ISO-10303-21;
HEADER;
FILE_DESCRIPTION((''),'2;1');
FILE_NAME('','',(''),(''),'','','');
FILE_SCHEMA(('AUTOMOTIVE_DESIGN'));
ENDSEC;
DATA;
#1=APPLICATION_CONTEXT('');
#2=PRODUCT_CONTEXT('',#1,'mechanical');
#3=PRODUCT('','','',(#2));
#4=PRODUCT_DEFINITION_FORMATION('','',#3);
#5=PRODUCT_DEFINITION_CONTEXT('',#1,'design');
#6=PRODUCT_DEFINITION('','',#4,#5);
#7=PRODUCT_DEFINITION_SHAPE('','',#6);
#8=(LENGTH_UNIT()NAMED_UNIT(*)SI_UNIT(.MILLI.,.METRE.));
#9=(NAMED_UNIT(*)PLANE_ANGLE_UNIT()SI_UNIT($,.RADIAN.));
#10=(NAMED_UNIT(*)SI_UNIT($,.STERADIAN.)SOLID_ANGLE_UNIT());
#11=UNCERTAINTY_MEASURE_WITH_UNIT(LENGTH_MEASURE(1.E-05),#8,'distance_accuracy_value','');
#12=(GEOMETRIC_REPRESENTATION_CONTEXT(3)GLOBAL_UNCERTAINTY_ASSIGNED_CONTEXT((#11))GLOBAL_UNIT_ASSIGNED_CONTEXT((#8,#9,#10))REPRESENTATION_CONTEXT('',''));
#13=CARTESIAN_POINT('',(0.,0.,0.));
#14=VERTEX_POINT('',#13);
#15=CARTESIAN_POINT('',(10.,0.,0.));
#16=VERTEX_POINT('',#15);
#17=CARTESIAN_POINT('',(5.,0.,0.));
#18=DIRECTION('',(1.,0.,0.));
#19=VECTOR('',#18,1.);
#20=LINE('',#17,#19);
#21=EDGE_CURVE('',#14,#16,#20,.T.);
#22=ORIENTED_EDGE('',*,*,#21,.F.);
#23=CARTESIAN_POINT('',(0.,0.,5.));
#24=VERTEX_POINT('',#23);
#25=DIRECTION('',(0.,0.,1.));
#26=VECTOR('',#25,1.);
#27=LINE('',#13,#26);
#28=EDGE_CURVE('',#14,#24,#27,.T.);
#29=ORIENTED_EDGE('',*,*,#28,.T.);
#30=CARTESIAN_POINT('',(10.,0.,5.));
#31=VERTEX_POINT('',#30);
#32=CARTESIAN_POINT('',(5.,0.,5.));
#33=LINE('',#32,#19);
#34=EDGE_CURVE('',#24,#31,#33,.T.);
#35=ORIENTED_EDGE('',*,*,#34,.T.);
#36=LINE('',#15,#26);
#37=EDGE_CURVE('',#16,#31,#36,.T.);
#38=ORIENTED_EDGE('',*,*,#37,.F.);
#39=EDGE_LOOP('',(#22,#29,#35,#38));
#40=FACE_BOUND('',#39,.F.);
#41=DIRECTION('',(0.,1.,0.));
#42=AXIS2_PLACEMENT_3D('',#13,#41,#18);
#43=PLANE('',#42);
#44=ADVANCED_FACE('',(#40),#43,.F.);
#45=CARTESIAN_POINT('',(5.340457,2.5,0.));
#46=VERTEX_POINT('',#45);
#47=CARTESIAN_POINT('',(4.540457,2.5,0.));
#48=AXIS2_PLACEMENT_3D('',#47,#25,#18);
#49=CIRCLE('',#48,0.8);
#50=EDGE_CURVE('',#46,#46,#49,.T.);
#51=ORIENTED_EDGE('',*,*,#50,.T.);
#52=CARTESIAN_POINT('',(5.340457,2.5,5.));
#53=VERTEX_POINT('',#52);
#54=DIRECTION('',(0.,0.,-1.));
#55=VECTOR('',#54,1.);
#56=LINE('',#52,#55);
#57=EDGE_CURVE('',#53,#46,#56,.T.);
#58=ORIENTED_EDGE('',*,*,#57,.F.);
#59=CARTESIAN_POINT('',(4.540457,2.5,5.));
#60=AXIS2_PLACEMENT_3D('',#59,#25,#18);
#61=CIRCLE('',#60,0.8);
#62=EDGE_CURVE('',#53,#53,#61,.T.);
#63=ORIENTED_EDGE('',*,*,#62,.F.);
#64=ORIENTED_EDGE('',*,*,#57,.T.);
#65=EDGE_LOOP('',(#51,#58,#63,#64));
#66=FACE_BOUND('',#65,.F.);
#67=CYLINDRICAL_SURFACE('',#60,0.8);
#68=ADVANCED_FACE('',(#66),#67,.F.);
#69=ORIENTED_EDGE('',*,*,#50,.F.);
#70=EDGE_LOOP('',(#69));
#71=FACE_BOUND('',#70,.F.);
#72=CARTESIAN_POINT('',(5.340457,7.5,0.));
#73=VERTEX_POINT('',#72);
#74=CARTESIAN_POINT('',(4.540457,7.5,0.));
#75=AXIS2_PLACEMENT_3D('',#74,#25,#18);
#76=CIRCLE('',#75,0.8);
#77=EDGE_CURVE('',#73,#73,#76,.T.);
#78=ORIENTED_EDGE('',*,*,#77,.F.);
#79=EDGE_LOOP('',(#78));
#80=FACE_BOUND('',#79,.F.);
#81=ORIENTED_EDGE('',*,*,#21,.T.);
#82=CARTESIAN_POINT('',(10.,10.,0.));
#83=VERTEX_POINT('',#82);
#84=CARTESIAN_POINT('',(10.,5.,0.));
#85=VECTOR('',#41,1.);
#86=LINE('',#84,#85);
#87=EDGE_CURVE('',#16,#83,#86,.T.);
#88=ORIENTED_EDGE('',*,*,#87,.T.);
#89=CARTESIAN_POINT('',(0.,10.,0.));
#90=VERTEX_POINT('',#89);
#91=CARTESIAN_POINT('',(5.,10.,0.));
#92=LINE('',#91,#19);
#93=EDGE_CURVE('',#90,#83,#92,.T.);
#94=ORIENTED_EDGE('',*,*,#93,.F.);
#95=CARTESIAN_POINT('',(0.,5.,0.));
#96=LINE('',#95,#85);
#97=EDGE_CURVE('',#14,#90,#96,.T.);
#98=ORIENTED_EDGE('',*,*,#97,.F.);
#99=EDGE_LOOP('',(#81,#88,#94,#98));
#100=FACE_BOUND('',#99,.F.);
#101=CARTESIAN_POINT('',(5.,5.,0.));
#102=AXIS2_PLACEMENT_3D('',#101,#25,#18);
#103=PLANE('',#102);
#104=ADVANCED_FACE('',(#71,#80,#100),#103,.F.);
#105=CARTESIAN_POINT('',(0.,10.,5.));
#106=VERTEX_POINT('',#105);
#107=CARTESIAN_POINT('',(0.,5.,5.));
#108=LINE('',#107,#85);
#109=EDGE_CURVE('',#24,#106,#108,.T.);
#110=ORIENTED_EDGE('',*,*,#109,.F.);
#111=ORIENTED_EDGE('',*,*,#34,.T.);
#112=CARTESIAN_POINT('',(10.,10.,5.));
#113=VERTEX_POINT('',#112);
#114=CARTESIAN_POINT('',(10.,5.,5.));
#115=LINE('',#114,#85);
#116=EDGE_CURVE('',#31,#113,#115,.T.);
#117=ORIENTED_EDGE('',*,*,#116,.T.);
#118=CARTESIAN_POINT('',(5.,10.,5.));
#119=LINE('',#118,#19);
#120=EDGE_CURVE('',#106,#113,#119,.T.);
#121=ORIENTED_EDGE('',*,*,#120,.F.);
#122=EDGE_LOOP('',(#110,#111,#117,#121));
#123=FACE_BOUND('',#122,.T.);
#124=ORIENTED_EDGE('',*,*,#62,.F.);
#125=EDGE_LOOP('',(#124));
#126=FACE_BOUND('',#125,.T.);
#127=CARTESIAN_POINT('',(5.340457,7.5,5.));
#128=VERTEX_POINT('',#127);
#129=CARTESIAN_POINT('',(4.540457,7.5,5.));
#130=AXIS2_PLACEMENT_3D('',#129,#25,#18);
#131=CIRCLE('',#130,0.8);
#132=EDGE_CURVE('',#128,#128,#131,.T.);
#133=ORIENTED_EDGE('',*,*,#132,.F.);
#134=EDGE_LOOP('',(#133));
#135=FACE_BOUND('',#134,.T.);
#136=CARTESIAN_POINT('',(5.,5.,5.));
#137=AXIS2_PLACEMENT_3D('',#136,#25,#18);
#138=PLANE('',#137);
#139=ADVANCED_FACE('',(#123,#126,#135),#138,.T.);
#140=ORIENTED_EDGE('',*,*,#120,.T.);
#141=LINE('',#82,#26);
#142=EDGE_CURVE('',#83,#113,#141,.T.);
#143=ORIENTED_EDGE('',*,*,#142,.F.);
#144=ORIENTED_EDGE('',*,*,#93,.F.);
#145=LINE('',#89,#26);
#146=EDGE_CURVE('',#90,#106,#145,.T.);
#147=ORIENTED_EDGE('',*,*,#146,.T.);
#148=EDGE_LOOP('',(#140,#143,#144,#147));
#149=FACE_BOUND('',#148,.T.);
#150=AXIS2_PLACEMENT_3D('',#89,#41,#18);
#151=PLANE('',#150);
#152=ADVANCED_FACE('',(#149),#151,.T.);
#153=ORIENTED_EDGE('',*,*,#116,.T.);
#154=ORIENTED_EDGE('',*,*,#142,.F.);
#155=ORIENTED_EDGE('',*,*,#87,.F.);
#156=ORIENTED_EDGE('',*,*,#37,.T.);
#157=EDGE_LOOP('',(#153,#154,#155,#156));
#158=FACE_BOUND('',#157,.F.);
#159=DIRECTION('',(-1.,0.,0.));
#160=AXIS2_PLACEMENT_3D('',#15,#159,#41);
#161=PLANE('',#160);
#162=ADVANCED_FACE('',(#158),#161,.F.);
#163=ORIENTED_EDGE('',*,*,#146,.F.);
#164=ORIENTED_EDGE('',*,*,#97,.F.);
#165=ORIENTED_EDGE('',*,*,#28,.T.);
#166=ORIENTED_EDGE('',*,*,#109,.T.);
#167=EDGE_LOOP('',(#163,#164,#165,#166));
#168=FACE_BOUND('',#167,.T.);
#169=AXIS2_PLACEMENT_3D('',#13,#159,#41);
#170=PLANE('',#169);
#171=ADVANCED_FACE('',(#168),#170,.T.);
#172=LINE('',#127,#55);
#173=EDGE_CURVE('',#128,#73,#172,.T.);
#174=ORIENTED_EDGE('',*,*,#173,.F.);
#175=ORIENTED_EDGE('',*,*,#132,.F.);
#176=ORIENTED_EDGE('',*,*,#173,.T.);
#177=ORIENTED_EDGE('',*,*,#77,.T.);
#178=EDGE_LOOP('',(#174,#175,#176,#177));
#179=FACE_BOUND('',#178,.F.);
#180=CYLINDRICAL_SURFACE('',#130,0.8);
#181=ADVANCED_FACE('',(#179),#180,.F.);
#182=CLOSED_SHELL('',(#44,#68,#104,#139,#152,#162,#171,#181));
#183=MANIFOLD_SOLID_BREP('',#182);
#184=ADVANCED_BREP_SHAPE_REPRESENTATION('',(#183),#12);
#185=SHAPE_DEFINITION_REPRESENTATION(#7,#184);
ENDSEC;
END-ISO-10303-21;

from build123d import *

# Parameters (mm, degrees)
SKETCH_W     = 10
SKETCH_H     = 10
PAD_DEPTH    = 5
SKETCH001_R  = 0.8
POCKET_DEPTH = 5.001


with BuildPart() as part:
    # Sketch → Pad (new body)
    with BuildSketch(Plane.XY):
        with Locations((5, 5)):
            Rectangle(SKETCH_W, SKETCH_H)
    extrude(amount=PAD_DEPTH)

    # Sketch001 → Pocket (cut, through all)
    with BuildSketch(Plane.XY.offset(5)):
        with Locations((4.540457, 2.5)):
            Circle(SKETCH001_R)
        with Locations((4.540457, 7.5)):
            Circle(SKETCH001_R)
    extrude(amount=-POCKET_DEPTH, mode=Mode.SUBTRACT)


solid = part.part
